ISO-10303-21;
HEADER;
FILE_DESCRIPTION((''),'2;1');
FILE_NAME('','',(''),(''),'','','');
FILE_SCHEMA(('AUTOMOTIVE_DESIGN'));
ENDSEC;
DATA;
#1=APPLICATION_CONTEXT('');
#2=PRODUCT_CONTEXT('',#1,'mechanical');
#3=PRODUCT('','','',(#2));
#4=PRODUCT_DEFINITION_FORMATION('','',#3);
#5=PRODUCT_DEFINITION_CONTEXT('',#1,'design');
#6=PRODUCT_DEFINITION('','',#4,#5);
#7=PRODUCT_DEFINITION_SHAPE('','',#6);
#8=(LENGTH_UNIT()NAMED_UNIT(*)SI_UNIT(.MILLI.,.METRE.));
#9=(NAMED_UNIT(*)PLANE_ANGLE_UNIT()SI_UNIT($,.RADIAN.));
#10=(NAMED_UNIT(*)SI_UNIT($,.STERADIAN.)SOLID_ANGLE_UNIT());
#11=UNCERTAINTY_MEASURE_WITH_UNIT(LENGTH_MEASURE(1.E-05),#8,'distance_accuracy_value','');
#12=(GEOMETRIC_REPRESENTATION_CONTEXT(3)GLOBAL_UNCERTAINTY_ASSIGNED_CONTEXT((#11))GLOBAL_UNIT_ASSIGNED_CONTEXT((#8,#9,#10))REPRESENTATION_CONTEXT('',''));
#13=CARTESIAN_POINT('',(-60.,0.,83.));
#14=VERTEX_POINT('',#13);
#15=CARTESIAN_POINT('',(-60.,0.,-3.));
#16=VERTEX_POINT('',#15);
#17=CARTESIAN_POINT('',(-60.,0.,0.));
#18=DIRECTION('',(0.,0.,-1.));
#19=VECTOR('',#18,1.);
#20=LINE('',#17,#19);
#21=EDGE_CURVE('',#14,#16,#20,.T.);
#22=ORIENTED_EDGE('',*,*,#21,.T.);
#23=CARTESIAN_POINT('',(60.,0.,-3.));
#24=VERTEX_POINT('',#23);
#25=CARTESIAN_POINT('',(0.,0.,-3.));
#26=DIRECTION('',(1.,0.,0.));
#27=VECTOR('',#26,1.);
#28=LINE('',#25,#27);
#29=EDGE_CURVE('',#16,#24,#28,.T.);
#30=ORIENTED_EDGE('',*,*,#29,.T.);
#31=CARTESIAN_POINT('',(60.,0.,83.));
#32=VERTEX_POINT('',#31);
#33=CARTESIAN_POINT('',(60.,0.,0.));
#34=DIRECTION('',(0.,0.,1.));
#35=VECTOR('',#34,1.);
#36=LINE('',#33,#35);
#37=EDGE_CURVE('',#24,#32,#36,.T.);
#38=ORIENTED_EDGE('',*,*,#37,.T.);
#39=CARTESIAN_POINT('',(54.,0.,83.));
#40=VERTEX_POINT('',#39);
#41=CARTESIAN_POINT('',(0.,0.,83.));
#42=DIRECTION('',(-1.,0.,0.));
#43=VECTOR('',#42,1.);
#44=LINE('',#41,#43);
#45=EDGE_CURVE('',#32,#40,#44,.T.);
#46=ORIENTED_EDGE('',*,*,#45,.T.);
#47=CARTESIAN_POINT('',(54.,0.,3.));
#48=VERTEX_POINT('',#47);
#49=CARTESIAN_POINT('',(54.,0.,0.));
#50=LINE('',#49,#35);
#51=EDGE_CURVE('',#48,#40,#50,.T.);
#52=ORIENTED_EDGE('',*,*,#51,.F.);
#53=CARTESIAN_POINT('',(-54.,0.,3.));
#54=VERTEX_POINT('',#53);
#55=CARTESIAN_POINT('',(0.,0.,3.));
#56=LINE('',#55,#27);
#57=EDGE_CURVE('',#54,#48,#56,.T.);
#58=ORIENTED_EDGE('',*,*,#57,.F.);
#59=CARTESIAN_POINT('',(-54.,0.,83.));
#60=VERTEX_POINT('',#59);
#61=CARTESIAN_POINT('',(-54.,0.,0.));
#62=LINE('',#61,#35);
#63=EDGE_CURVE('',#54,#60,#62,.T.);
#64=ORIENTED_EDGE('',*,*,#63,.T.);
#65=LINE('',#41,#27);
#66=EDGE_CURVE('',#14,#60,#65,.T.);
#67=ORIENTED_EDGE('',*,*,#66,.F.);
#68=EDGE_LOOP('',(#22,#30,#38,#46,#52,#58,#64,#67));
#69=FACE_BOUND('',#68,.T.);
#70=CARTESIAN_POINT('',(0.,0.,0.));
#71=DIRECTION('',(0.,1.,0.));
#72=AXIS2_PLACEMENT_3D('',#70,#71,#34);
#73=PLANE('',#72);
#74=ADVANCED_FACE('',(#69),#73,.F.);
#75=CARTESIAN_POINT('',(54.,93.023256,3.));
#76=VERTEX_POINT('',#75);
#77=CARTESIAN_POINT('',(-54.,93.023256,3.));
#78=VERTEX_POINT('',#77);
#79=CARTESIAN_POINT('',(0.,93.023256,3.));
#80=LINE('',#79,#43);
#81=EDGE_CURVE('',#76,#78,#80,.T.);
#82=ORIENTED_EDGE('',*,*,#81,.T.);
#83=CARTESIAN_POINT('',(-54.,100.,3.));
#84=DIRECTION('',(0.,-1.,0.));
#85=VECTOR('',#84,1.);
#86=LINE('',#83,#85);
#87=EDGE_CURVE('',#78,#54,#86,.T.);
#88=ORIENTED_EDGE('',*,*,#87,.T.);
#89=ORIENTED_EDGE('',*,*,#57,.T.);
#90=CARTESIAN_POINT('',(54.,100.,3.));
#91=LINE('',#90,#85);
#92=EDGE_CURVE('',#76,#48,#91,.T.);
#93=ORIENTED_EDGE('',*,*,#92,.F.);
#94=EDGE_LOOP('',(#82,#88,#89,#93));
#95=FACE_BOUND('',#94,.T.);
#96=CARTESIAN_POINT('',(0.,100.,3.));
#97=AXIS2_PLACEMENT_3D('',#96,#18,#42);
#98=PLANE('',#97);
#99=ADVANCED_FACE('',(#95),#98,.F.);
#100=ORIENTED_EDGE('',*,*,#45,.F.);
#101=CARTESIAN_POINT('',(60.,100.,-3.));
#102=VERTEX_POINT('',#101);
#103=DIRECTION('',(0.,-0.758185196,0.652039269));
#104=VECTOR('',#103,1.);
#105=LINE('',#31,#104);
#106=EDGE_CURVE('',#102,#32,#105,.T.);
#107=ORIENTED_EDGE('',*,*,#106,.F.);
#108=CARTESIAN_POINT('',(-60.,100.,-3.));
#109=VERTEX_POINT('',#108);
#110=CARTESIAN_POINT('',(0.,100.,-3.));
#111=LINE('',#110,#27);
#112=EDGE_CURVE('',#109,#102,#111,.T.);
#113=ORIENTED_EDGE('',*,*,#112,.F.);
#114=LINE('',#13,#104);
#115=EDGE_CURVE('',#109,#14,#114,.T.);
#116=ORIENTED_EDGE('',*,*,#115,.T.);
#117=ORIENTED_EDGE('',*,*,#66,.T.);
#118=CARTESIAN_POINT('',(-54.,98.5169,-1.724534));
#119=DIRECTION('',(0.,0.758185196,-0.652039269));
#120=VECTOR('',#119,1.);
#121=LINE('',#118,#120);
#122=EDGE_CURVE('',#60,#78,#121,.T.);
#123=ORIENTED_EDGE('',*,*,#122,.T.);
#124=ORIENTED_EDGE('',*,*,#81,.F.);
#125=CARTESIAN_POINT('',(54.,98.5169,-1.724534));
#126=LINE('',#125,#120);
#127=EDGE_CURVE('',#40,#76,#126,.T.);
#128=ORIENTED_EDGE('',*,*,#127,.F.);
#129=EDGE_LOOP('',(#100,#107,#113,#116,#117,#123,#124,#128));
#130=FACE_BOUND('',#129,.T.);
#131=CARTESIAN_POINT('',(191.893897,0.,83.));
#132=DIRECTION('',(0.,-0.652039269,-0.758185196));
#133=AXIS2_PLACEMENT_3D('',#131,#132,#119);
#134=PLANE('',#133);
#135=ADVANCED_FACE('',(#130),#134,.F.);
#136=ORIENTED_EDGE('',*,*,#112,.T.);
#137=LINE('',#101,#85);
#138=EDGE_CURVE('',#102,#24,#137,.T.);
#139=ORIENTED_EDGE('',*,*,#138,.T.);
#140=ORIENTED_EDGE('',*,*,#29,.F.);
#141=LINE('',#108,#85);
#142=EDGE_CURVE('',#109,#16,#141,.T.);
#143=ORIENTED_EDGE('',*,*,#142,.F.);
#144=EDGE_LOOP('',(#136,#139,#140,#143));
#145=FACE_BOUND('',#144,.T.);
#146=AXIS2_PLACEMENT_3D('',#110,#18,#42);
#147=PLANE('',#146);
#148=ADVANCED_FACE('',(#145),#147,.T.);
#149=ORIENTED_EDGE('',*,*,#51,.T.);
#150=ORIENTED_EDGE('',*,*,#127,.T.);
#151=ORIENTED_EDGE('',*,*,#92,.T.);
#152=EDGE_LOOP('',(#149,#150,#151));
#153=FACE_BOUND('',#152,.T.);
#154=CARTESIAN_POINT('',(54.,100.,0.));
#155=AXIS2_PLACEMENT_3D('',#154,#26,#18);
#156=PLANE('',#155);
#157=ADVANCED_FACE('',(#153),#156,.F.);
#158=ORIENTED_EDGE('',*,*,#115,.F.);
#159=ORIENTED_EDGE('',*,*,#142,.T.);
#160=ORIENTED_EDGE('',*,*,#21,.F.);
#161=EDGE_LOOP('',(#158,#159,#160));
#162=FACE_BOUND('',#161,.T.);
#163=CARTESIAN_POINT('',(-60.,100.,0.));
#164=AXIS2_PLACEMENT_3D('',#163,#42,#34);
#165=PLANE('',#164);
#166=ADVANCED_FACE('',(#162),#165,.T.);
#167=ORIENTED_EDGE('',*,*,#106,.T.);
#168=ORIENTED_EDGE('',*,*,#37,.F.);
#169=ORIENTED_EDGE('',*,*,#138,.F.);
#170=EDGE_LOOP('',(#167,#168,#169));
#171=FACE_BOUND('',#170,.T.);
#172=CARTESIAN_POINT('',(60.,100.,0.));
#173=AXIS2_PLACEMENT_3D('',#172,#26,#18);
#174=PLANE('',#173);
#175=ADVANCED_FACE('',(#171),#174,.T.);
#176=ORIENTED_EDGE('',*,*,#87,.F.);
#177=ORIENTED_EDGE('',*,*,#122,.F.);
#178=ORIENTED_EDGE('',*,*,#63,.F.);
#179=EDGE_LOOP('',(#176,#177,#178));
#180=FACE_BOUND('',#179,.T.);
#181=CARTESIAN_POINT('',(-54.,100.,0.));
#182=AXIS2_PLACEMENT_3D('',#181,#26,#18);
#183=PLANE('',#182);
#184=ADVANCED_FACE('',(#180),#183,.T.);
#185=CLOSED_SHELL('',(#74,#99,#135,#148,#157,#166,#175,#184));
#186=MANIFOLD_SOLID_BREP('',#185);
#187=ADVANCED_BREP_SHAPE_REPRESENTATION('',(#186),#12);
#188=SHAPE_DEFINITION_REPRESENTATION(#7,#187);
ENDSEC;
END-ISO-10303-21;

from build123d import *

# Parameters (mm, degrees)
SKETCH1_W           = 6
SKETCH1_H           = 80
SKETCH1_W_2         = 120
SKETCH1_H_2         = 6
BOSS_EXTRUDE1_DEPTH = 100
CUT_EXTRUDE1_DEPTH  = 120


with BuildPart() as part:
    # Sketch1 → Boss-Extrude1 (new body)
    with BuildSketch(Plane(origin=(0, 0, 0), x_dir=(1, 0, 0), z_dir=(0, 1, 0))):
        with Locations((57, -43)):
            Rectangle(SKETCH1_W, SKETCH1_H)
        Rectangle(SKETCH1_W_2, SKETCH1_H_2)
        with Locations((-57, -43)):
            Rectangle(SKETCH1_W, SKETCH1_H)
    extrude(amount=BOSS_EXTRUDE1_DEPTH)

    # Sketch2 → Cut-Extrude1 (cut)
    with BuildSketch(Plane.ZY.offset(60)):
        Polygon((83, 0), (-3, 100), (83, 100), align=None)
    extrude(amount=-CUT_EXTRUDE1_DEPTH, mode=Mode.SUBTRACT)


solid = part.part
